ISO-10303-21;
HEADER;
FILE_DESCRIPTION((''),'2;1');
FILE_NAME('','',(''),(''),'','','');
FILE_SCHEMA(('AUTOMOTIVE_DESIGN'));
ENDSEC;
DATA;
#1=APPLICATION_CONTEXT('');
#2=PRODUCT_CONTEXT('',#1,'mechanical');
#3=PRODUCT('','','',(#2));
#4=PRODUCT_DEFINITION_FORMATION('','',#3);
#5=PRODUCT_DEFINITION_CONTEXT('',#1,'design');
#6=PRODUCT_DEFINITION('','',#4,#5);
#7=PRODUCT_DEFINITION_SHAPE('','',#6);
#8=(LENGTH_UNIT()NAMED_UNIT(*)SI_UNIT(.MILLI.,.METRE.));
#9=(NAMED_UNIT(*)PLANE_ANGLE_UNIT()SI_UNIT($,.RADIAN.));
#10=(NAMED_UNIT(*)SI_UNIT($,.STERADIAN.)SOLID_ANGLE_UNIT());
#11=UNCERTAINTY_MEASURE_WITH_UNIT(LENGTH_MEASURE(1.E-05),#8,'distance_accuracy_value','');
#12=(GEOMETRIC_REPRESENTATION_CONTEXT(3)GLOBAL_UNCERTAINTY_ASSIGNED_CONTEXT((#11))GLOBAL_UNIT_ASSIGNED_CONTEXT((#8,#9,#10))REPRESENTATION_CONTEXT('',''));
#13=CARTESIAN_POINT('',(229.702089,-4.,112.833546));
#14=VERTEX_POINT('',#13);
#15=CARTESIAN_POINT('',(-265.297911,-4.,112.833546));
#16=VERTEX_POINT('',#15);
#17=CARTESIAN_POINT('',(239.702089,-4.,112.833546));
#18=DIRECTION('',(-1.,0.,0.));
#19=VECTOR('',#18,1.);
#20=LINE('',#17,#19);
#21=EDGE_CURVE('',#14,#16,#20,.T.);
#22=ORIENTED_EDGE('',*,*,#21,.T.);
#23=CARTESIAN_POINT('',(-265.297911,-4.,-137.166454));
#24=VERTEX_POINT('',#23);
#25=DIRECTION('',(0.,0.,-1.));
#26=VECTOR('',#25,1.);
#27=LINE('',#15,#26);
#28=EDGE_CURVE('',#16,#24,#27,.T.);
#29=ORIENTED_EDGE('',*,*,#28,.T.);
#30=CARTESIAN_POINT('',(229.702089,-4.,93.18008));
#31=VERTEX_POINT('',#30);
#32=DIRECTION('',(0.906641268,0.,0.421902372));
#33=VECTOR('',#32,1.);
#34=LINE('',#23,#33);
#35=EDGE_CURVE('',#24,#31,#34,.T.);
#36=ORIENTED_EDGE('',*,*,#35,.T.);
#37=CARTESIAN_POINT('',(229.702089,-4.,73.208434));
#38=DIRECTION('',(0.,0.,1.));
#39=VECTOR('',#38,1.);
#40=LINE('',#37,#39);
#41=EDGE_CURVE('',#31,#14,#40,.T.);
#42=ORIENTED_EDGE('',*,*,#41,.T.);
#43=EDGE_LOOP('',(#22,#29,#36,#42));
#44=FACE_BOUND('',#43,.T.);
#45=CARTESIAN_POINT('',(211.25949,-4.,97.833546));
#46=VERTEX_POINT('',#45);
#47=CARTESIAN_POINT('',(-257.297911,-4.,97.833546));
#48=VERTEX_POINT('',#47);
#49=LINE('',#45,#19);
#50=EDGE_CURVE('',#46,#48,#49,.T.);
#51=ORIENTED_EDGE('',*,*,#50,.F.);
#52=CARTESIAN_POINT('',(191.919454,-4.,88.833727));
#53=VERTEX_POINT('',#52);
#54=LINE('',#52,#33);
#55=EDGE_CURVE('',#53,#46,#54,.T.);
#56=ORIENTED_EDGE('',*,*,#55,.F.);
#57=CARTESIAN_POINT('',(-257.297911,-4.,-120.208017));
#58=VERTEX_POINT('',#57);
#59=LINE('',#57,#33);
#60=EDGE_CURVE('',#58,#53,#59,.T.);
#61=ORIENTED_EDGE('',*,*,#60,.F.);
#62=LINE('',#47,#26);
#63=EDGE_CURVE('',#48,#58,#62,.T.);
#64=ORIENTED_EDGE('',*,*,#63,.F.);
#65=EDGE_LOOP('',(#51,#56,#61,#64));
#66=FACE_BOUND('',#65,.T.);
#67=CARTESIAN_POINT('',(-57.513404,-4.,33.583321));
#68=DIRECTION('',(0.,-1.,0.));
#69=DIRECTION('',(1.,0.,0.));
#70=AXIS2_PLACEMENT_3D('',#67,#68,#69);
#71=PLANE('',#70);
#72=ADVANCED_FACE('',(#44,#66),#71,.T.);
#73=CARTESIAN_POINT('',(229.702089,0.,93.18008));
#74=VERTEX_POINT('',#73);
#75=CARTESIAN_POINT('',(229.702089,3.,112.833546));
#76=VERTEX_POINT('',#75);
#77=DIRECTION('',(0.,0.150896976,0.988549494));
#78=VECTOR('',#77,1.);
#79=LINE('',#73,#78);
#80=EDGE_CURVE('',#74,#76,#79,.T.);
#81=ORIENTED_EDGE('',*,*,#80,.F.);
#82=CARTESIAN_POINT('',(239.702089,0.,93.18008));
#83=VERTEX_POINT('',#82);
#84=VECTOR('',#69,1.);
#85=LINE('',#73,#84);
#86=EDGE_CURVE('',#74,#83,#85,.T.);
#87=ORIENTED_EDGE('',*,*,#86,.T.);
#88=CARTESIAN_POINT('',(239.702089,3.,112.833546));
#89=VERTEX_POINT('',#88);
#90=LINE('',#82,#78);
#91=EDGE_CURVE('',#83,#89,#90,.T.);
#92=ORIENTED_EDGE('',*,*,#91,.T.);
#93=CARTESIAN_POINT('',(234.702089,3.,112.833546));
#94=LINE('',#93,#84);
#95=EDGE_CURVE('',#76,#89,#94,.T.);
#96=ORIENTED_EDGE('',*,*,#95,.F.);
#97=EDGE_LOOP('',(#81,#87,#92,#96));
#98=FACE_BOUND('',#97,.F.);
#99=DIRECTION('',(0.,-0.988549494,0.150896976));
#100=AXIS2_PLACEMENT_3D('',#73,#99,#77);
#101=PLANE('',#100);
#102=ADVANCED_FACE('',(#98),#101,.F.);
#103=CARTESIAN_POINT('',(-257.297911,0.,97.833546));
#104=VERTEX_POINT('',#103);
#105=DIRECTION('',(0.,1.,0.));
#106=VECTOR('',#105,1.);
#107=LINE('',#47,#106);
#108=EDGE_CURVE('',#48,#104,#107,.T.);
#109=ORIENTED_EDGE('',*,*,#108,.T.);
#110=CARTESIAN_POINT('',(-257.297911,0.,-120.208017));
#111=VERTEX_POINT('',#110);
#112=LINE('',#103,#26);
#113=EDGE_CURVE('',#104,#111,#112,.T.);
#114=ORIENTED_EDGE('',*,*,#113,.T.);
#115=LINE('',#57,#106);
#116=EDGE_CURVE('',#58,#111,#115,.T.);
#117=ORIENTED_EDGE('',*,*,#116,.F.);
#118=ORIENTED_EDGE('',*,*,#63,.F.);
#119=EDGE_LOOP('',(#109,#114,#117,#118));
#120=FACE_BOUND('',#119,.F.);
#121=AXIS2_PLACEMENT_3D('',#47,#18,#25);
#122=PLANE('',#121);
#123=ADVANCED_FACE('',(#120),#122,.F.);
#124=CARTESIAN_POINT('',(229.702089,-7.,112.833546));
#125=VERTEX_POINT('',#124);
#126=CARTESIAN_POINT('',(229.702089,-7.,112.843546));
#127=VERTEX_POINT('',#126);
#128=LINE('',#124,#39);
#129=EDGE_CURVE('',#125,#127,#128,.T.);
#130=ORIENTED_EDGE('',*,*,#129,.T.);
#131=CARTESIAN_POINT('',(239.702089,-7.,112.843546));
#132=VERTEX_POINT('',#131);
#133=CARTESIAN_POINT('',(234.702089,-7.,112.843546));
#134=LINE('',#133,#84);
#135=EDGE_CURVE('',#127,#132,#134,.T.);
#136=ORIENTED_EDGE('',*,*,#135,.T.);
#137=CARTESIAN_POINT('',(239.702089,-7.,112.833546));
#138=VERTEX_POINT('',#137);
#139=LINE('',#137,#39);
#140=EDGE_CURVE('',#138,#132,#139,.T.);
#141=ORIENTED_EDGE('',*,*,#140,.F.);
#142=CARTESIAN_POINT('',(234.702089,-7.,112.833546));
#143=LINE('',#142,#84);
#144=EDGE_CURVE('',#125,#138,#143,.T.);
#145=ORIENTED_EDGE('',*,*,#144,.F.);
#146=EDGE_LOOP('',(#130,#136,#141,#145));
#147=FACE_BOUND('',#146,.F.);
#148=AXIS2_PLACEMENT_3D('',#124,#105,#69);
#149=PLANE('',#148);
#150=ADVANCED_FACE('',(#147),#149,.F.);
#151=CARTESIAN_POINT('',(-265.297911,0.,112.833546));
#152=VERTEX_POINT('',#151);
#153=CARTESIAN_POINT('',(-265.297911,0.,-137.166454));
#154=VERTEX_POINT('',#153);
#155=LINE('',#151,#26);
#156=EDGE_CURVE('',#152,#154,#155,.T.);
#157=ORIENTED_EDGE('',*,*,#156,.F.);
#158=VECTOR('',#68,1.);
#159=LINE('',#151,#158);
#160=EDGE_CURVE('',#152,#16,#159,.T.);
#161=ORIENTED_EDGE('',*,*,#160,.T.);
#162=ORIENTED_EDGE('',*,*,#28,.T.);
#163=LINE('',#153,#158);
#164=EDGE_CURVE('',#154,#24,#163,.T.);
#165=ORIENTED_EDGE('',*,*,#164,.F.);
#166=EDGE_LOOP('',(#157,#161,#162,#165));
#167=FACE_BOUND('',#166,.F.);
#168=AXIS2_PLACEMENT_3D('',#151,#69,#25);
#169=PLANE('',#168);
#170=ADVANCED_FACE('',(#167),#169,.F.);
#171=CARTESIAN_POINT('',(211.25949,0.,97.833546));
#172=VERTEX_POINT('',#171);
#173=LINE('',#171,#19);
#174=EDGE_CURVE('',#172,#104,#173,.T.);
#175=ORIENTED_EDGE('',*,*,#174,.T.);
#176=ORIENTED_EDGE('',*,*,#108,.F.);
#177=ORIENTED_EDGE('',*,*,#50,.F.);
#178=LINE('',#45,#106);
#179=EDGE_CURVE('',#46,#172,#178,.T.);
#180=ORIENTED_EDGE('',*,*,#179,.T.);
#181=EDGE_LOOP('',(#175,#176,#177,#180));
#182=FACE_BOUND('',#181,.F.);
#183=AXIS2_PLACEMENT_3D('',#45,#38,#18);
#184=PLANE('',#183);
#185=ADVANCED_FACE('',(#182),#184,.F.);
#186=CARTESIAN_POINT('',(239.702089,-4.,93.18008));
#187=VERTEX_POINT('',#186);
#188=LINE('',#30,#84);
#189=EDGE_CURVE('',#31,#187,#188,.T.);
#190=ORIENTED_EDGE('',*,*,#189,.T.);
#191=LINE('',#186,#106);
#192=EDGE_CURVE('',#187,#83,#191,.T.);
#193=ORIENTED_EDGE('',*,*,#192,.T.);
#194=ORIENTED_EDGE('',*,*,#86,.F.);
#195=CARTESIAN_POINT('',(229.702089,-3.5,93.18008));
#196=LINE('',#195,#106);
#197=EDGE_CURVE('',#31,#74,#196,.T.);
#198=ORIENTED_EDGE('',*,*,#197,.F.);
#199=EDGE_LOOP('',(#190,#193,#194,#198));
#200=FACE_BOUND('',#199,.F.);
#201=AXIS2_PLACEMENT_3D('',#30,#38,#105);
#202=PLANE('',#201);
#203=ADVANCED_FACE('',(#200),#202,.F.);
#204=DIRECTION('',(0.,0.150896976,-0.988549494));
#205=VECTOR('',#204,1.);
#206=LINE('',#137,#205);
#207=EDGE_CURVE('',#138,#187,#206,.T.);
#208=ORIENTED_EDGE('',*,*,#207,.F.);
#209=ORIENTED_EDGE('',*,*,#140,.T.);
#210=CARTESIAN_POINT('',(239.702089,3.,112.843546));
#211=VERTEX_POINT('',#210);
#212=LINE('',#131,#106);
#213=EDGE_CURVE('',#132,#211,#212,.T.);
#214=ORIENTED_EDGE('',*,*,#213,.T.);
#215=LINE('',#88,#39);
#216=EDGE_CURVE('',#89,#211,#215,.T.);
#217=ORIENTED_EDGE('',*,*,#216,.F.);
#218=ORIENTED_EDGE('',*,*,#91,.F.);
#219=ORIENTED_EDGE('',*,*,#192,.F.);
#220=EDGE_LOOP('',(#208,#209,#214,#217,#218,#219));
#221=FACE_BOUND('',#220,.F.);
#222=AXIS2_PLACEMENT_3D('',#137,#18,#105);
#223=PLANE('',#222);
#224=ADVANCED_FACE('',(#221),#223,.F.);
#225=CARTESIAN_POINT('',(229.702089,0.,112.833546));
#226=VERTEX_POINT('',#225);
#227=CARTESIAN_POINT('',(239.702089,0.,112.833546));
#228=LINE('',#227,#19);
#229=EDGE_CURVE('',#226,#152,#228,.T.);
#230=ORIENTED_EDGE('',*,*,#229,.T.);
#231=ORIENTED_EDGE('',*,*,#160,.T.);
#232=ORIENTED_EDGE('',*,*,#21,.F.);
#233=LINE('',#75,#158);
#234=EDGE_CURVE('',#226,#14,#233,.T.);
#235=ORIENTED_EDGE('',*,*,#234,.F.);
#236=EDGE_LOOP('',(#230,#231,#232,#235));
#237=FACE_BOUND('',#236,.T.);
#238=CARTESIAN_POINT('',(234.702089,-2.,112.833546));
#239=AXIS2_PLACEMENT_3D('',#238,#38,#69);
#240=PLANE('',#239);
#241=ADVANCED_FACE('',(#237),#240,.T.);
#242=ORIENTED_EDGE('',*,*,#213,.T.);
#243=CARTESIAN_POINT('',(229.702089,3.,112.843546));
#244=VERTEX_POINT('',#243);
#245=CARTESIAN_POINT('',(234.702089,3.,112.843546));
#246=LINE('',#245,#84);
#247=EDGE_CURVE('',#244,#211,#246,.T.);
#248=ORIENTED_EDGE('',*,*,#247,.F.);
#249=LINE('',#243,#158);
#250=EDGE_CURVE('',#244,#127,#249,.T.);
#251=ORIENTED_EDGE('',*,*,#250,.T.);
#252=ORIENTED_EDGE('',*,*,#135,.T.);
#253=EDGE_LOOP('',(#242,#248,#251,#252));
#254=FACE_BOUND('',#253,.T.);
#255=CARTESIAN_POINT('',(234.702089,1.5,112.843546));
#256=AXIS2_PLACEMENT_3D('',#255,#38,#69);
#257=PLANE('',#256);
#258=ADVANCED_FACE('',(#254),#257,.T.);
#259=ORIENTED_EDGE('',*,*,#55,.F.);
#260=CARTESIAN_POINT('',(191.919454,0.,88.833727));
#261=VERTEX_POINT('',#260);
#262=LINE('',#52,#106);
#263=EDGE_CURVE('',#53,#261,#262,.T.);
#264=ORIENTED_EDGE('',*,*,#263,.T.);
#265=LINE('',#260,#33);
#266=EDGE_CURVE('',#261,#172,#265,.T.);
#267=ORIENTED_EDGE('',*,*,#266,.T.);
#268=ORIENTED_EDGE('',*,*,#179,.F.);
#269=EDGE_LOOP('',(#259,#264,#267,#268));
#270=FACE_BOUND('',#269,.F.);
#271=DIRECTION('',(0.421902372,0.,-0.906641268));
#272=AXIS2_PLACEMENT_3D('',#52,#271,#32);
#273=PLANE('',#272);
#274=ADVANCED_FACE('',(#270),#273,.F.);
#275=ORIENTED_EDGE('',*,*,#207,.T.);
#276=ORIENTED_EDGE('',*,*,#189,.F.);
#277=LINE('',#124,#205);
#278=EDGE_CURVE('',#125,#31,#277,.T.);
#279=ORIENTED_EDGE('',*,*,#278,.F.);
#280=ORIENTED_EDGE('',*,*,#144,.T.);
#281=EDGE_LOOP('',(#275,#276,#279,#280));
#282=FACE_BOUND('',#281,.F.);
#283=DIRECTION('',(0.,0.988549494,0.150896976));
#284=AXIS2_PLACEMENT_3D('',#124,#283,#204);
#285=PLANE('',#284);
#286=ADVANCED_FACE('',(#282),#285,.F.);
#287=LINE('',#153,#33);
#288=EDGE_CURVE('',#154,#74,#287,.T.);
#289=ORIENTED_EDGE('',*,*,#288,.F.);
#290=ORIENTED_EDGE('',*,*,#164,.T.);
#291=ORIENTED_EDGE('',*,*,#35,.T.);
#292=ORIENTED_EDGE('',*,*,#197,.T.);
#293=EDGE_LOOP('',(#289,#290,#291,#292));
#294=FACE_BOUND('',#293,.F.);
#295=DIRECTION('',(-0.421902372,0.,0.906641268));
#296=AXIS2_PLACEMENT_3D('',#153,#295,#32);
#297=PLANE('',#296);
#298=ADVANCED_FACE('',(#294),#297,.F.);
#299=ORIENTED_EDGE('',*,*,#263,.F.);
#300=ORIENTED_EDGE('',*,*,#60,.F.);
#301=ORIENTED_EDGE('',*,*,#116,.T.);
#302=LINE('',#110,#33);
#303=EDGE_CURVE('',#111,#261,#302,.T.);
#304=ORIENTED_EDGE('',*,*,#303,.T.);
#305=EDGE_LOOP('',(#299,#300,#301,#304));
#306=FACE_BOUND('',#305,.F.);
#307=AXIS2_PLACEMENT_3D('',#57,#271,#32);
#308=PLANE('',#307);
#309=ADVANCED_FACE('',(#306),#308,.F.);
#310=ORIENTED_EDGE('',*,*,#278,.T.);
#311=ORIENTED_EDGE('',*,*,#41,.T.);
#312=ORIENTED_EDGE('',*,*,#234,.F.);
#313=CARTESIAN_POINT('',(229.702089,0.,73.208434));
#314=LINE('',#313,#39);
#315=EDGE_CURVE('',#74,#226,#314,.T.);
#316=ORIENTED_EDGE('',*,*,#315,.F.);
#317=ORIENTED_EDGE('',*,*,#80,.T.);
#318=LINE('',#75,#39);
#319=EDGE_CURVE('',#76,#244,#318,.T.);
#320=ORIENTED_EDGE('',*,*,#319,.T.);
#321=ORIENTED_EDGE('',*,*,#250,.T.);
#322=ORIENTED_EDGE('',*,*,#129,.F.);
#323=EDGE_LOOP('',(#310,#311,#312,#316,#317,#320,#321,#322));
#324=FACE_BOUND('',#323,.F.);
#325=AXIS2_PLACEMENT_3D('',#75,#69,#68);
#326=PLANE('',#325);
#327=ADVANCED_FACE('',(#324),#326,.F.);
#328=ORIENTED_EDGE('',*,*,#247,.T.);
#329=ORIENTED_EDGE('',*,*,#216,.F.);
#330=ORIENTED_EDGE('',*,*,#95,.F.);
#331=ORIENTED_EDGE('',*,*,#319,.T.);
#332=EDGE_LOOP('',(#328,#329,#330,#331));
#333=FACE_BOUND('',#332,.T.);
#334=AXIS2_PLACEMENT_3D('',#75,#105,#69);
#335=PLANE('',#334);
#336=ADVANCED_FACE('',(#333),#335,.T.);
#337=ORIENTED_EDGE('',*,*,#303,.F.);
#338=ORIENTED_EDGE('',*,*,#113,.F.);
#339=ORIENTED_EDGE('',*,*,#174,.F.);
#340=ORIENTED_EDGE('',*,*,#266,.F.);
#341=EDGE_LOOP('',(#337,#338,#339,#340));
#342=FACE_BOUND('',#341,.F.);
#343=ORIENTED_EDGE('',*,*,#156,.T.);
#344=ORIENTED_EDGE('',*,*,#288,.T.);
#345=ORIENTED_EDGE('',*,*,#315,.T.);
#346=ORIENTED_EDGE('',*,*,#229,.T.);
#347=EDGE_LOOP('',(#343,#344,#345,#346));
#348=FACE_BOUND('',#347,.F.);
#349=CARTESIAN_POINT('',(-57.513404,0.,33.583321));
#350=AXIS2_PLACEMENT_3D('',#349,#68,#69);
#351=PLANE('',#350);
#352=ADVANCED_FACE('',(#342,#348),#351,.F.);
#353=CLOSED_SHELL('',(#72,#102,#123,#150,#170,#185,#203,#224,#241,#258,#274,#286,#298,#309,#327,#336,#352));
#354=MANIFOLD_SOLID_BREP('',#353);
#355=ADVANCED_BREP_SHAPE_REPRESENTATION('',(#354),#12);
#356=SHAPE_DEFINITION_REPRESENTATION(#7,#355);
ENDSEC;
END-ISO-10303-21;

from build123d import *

# Parameters (mm, degrees)
F1_DEPTH  = 4
F3_DEPTH  = 4
F4_W      = 10
F4_H      = 10
F5_DEPTH  = 24.7904
F7_DEPTH  = 10
F9_DEPTH  = 4
F4_H_2    = 3
F4_H_3    = 4
F11_DEPTH = 0.01


with BuildPart() as f1:
    # F0 (on Front) → F1 (new body)
    with BuildSketch(Plane.XZ):
        Polygon((239.7020892799, 112.8335457823), (-265.2979107201, 112.8335457823), (-265.2979107201, -137.1664542177), (239.7020892799, 97.8335457823), align=None)
    extrude(amount=F1_DEPTH)

    # F2 (on face) → F3 (cut)
    with BuildSketch(Plane.XZ.offset(4)):
        Polygon((211.2594902502, 97.8335457823), (189.459964633, 97.8335457823), (-257.2979107201, 97.8335457823), (-257.2979107201, -120.2080170455), (191.9194537148, 88.8337268004), align=None)
    extrude(amount=-F3_DEPTH, mode=Mode.SUBTRACT)

    # F4 (on face) → F5 (join)
    with BuildSketch(Plane.XY.offset(112.8335457823)):
        with Locations((234.7020892799, -2)):
            Rectangle(F4_W, F4_H)
    extrude(amount=-F5_DEPTH)

    # F6 (on face) → F7 (cut)
    with BuildSketch(Plane(origin=(229.7020892799, 0, 0), x_dir=(0, -1, 0), z_dir=(-1, 0, 0))):
        Polygon((7, 112.8335457823), (4, 93.1800804357), (0, 93.1800804357), (-3, 112.8335457823), (-3, 88.0431457823), (7, 88.0431457823), align=None)
    extrude(amount=-F7_DEPTH, mode=Mode.SUBTRACT)

    # F4 (on face) → F11 (join)
    with BuildSketch(Plane.XY.offset(112.8335457823)):
        with Locations((234.7020892799, 1.5)):
            Rectangle(F4_W, F4_H_2)
        with Locations((234.7020892799, -2)):
            Rectangle(F4_W, F4_H_3)
        with Locations((234.7020892799, -5.5)):
            Rectangle(F4_W, F4_H_2)
    extrude(amount=F11_DEPTH)


with BuildPart() as f9:
    # F8 (on face) → F9 (new body)
    with BuildSketch(Plane.XZ.offset(4)):
        Polygon((-265.2979107201, -137.1664542177), (241.7362299691, 93.1800804357), (229.7020892799, 93.1800804357), align=None)
    extrude(amount=-F9_DEPTH)


solid = f1.part
